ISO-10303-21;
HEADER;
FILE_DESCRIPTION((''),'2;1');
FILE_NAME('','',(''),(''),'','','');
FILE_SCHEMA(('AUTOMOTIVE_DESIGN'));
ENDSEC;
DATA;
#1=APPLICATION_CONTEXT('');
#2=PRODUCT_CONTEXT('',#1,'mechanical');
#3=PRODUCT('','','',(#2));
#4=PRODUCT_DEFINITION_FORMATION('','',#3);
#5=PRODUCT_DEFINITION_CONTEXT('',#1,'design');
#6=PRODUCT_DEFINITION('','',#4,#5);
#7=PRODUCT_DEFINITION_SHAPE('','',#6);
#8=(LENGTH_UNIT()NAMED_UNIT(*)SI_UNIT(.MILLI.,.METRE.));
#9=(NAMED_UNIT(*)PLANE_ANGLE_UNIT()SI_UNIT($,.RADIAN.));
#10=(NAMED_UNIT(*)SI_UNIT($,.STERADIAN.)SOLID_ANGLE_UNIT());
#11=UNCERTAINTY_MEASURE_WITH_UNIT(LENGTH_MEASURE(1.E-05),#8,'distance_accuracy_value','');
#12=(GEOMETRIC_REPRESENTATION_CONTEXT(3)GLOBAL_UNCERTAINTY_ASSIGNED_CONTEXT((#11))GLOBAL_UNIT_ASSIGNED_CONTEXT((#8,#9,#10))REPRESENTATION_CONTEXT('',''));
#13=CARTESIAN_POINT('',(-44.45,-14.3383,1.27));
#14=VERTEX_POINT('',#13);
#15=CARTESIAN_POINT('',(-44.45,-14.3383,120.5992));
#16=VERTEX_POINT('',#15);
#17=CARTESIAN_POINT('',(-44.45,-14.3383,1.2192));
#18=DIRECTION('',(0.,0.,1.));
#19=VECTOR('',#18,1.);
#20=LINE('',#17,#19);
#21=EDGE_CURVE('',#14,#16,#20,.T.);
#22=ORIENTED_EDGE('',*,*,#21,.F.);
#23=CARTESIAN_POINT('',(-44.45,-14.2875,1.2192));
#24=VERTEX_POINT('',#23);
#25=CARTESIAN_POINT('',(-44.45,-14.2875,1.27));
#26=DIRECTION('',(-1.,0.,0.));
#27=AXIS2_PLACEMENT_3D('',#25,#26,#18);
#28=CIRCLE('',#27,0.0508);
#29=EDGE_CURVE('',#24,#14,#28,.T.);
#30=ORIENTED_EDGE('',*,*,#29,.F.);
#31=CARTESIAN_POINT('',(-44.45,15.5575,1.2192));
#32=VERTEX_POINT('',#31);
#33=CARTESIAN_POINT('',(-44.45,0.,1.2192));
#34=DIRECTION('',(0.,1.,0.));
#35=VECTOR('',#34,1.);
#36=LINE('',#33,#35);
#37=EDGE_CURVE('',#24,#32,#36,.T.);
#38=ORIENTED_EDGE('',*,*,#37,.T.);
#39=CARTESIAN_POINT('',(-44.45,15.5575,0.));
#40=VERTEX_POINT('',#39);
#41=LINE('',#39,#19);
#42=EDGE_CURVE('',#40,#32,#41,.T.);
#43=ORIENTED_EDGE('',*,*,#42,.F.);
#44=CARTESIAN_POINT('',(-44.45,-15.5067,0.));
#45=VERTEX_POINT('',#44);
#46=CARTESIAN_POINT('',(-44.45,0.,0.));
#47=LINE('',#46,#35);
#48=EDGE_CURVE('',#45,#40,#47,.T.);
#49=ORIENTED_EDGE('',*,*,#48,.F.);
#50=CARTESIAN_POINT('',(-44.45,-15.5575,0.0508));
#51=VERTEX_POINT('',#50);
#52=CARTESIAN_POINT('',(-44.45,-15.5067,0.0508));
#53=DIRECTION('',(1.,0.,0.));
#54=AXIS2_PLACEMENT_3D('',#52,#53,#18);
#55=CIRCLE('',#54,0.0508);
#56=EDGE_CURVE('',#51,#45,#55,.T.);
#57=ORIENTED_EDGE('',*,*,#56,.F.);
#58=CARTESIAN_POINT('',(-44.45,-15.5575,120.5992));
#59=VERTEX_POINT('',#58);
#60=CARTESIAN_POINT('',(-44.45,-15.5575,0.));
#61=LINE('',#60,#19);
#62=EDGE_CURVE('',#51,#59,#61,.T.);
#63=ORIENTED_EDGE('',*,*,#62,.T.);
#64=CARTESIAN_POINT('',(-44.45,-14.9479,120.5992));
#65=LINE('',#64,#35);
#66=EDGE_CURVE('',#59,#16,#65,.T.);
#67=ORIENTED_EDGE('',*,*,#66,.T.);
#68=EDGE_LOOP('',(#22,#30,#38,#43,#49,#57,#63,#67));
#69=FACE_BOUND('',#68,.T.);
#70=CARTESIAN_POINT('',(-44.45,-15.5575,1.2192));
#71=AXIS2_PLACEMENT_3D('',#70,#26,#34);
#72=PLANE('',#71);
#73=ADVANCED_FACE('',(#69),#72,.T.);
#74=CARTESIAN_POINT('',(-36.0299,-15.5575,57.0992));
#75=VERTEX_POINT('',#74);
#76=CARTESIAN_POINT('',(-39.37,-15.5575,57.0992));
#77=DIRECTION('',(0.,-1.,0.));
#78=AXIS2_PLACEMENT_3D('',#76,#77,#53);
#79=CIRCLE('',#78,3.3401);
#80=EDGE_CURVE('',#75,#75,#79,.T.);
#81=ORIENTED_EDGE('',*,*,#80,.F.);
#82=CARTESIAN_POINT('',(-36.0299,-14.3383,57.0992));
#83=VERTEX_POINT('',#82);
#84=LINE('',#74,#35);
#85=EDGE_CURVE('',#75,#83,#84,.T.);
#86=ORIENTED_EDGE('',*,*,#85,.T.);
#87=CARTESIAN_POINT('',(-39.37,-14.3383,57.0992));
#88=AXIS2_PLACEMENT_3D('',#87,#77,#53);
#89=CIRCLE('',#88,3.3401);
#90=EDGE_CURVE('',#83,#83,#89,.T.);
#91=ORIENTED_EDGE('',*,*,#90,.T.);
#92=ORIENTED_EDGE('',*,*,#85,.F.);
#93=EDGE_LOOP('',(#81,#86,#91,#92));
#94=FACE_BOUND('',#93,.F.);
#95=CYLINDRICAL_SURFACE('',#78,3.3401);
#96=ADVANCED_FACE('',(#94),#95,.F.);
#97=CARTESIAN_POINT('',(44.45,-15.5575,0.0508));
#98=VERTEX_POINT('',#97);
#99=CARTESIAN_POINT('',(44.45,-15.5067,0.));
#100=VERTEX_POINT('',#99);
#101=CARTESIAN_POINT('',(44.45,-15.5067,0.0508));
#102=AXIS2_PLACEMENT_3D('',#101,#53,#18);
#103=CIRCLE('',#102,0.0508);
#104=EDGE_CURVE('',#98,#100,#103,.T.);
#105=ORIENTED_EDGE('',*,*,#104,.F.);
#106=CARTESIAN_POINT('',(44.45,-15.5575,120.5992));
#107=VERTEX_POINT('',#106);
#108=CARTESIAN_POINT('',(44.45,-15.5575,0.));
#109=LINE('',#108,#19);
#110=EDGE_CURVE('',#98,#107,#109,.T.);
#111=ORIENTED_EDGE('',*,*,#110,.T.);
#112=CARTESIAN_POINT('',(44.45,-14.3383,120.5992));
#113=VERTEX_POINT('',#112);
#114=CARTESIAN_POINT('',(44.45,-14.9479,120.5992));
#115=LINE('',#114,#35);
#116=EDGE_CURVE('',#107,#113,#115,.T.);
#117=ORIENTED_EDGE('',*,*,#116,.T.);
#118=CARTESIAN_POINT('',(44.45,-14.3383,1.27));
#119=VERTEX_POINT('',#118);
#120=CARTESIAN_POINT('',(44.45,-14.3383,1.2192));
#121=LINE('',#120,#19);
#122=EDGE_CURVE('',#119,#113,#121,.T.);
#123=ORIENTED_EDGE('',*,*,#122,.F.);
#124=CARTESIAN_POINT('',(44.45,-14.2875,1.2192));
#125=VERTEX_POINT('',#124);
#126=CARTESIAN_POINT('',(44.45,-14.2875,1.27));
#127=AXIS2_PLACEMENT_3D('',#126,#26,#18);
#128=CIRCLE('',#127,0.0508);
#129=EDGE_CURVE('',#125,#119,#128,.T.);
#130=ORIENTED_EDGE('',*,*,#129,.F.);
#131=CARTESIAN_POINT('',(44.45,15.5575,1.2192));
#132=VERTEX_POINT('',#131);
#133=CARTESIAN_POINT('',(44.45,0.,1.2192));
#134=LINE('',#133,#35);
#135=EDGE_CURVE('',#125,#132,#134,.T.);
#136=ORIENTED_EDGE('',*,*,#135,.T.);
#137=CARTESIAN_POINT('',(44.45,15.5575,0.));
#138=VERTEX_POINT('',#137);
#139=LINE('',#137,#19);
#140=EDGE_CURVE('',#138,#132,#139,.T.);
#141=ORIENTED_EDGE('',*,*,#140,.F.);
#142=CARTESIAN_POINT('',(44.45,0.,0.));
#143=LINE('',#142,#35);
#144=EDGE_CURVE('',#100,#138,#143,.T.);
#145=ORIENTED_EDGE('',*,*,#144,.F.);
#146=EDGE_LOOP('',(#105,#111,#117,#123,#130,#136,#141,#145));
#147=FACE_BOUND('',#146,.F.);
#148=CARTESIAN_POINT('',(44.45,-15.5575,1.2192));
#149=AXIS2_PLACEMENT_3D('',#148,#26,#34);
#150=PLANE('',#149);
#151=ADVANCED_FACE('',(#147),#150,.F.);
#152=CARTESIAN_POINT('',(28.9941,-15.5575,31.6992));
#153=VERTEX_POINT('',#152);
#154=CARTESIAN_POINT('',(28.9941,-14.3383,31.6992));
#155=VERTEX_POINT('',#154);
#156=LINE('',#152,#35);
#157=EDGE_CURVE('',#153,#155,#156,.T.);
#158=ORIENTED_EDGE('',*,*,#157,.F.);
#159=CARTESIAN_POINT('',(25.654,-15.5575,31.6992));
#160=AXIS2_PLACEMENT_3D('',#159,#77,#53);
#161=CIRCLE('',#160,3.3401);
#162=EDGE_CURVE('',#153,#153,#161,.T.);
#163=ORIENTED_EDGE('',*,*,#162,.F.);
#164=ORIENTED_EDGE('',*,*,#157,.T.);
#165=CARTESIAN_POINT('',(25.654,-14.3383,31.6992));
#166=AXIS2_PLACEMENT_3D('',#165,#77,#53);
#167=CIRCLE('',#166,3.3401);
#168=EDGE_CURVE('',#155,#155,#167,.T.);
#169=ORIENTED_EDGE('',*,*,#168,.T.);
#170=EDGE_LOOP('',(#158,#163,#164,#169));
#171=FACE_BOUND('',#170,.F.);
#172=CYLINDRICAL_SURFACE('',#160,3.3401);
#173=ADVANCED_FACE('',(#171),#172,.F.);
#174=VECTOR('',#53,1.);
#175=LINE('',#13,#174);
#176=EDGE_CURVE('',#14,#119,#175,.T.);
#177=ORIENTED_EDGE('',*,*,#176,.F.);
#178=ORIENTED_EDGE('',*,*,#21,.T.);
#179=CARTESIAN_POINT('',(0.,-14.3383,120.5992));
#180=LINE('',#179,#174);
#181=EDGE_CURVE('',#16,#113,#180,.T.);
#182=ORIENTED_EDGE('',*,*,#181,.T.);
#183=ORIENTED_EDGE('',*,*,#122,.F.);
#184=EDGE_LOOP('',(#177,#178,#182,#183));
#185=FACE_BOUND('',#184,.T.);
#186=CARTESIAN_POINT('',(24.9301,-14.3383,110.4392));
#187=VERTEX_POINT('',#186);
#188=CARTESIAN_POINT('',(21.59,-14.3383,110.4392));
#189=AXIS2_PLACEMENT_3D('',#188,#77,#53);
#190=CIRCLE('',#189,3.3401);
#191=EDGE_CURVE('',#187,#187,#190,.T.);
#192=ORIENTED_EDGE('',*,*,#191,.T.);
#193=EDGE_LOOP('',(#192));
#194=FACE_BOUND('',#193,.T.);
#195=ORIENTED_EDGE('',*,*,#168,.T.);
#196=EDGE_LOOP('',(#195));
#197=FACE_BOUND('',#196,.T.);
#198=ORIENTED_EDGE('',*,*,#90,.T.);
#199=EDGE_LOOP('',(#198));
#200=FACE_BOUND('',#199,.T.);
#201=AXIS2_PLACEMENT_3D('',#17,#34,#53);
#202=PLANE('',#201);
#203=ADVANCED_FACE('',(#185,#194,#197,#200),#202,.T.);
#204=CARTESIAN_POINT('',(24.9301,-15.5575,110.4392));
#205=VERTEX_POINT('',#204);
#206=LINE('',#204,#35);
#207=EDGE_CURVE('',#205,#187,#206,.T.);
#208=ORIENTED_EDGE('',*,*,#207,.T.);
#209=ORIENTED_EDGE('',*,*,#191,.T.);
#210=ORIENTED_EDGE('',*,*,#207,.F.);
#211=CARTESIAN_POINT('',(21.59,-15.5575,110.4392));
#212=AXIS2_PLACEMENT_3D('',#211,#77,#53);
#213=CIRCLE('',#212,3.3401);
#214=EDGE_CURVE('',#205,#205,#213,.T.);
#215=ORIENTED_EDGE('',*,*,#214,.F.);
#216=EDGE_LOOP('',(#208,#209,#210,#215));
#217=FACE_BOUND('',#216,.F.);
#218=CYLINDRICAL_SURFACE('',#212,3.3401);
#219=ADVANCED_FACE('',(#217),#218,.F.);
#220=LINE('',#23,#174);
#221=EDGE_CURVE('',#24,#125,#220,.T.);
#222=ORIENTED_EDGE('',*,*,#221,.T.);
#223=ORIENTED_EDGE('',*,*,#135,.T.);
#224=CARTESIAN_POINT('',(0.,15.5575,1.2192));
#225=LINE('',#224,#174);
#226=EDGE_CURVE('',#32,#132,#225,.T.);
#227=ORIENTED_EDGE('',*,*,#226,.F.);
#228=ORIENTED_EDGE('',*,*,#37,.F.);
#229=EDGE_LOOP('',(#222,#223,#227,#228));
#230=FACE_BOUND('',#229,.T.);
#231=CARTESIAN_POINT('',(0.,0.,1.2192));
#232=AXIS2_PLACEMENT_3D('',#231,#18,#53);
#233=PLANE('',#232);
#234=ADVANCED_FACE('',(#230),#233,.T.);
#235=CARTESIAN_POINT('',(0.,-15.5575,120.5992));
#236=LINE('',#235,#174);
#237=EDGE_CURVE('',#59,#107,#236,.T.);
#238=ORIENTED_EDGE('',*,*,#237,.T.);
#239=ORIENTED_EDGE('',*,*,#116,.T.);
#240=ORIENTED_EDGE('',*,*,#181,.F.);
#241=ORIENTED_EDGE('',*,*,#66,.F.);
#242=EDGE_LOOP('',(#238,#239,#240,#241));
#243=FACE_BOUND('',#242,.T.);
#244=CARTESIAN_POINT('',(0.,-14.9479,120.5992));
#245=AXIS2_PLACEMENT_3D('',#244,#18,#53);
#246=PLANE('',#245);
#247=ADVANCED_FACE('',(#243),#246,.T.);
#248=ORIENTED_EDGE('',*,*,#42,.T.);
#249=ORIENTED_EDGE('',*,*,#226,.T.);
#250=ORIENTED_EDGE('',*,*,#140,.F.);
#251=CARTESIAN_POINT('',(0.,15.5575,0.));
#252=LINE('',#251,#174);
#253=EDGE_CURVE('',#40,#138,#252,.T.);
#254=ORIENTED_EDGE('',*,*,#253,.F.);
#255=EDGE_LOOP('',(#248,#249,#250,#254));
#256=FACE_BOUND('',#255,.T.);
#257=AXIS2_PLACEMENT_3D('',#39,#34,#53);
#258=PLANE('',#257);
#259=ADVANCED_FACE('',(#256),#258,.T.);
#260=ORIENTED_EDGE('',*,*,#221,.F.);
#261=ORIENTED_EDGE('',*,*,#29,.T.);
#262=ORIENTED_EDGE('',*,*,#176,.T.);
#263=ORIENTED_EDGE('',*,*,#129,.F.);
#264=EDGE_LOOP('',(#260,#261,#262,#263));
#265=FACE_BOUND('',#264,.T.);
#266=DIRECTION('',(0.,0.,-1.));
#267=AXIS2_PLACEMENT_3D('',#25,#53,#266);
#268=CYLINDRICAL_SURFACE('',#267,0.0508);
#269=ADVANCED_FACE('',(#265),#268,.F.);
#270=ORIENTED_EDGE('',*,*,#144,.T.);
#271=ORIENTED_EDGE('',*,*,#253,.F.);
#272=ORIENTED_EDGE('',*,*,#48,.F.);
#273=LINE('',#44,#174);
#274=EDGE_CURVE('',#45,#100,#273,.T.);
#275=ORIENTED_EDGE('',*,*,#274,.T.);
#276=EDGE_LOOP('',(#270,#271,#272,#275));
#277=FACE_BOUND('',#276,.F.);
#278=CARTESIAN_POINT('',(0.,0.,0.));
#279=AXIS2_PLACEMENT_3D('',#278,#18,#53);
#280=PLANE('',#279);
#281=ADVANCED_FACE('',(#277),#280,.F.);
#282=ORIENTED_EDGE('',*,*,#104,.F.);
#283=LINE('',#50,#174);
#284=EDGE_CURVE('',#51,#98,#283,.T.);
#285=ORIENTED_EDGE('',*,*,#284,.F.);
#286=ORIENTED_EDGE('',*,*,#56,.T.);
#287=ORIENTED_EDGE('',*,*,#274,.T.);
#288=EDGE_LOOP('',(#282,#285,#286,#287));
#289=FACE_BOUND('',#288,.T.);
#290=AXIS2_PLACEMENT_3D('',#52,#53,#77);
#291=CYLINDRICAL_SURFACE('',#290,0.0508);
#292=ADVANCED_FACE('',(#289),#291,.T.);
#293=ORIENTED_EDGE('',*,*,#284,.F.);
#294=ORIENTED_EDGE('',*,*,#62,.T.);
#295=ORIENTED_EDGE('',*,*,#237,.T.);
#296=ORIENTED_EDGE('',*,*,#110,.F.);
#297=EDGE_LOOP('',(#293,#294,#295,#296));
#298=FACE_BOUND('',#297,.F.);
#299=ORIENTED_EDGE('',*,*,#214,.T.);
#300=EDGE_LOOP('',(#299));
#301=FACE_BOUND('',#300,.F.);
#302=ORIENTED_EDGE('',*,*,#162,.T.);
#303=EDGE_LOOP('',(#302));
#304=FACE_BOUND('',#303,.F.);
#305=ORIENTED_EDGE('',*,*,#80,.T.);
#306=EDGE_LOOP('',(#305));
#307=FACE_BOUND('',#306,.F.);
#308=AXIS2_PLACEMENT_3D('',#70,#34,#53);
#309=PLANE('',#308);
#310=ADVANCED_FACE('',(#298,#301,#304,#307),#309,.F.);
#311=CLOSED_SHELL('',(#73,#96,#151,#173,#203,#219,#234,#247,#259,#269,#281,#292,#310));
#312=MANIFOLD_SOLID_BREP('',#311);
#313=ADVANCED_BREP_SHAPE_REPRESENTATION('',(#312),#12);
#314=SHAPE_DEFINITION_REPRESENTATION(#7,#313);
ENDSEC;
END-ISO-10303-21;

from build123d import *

# Parameters (mm, degrees)
F0_W     = 88.9
F0_H     = 31.115
F1_DEPTH = 1.2192
F2_W     = 88.9
F2_H     = 1.2192
F3_DEPTH = 119.38
F4_R     = 0.0508
F5_R     = 3.3401
F6_DEPTH = 25.4


with BuildPart() as f1:
    # F0 (on Top) → F1 (new body)
    with BuildSketch(Plane.XY):
        Rectangle(F0_W, F0_H)
    extrude(amount=F1_DEPTH)

    # F2 (on face) → F3 (join)
    with BuildSketch(Plane.XY.offset(1.2192)):
        with Locations((0, -14.9479)):
            Rectangle(F2_W, F2_H)
    extrude(amount=F3_DEPTH)

    # F4
    f4_edges = [f1.edges().sort_by_distance(p)[0] for p in [
        (0, -15.5575, 0),
        (0, -14.3383, 1.2192),
    ]]
    fillet(f4_edges, radius=F4_R)

    # F5 (on face) → F6 (cut)
    with BuildSketch(Plane.XZ.offset(15.5575)):
        with Locations((21.59, 110.4392)):
            Circle(F5_R)
        with Locations((25.654, 31.6992)):
            Circle(F5_R)
        with Locations((-39.37, 57.0992)):
            Circle(F5_R)
    extrude(amount=-F6_DEPTH, mode=Mode.SUBTRACT)


solid = f1.part
